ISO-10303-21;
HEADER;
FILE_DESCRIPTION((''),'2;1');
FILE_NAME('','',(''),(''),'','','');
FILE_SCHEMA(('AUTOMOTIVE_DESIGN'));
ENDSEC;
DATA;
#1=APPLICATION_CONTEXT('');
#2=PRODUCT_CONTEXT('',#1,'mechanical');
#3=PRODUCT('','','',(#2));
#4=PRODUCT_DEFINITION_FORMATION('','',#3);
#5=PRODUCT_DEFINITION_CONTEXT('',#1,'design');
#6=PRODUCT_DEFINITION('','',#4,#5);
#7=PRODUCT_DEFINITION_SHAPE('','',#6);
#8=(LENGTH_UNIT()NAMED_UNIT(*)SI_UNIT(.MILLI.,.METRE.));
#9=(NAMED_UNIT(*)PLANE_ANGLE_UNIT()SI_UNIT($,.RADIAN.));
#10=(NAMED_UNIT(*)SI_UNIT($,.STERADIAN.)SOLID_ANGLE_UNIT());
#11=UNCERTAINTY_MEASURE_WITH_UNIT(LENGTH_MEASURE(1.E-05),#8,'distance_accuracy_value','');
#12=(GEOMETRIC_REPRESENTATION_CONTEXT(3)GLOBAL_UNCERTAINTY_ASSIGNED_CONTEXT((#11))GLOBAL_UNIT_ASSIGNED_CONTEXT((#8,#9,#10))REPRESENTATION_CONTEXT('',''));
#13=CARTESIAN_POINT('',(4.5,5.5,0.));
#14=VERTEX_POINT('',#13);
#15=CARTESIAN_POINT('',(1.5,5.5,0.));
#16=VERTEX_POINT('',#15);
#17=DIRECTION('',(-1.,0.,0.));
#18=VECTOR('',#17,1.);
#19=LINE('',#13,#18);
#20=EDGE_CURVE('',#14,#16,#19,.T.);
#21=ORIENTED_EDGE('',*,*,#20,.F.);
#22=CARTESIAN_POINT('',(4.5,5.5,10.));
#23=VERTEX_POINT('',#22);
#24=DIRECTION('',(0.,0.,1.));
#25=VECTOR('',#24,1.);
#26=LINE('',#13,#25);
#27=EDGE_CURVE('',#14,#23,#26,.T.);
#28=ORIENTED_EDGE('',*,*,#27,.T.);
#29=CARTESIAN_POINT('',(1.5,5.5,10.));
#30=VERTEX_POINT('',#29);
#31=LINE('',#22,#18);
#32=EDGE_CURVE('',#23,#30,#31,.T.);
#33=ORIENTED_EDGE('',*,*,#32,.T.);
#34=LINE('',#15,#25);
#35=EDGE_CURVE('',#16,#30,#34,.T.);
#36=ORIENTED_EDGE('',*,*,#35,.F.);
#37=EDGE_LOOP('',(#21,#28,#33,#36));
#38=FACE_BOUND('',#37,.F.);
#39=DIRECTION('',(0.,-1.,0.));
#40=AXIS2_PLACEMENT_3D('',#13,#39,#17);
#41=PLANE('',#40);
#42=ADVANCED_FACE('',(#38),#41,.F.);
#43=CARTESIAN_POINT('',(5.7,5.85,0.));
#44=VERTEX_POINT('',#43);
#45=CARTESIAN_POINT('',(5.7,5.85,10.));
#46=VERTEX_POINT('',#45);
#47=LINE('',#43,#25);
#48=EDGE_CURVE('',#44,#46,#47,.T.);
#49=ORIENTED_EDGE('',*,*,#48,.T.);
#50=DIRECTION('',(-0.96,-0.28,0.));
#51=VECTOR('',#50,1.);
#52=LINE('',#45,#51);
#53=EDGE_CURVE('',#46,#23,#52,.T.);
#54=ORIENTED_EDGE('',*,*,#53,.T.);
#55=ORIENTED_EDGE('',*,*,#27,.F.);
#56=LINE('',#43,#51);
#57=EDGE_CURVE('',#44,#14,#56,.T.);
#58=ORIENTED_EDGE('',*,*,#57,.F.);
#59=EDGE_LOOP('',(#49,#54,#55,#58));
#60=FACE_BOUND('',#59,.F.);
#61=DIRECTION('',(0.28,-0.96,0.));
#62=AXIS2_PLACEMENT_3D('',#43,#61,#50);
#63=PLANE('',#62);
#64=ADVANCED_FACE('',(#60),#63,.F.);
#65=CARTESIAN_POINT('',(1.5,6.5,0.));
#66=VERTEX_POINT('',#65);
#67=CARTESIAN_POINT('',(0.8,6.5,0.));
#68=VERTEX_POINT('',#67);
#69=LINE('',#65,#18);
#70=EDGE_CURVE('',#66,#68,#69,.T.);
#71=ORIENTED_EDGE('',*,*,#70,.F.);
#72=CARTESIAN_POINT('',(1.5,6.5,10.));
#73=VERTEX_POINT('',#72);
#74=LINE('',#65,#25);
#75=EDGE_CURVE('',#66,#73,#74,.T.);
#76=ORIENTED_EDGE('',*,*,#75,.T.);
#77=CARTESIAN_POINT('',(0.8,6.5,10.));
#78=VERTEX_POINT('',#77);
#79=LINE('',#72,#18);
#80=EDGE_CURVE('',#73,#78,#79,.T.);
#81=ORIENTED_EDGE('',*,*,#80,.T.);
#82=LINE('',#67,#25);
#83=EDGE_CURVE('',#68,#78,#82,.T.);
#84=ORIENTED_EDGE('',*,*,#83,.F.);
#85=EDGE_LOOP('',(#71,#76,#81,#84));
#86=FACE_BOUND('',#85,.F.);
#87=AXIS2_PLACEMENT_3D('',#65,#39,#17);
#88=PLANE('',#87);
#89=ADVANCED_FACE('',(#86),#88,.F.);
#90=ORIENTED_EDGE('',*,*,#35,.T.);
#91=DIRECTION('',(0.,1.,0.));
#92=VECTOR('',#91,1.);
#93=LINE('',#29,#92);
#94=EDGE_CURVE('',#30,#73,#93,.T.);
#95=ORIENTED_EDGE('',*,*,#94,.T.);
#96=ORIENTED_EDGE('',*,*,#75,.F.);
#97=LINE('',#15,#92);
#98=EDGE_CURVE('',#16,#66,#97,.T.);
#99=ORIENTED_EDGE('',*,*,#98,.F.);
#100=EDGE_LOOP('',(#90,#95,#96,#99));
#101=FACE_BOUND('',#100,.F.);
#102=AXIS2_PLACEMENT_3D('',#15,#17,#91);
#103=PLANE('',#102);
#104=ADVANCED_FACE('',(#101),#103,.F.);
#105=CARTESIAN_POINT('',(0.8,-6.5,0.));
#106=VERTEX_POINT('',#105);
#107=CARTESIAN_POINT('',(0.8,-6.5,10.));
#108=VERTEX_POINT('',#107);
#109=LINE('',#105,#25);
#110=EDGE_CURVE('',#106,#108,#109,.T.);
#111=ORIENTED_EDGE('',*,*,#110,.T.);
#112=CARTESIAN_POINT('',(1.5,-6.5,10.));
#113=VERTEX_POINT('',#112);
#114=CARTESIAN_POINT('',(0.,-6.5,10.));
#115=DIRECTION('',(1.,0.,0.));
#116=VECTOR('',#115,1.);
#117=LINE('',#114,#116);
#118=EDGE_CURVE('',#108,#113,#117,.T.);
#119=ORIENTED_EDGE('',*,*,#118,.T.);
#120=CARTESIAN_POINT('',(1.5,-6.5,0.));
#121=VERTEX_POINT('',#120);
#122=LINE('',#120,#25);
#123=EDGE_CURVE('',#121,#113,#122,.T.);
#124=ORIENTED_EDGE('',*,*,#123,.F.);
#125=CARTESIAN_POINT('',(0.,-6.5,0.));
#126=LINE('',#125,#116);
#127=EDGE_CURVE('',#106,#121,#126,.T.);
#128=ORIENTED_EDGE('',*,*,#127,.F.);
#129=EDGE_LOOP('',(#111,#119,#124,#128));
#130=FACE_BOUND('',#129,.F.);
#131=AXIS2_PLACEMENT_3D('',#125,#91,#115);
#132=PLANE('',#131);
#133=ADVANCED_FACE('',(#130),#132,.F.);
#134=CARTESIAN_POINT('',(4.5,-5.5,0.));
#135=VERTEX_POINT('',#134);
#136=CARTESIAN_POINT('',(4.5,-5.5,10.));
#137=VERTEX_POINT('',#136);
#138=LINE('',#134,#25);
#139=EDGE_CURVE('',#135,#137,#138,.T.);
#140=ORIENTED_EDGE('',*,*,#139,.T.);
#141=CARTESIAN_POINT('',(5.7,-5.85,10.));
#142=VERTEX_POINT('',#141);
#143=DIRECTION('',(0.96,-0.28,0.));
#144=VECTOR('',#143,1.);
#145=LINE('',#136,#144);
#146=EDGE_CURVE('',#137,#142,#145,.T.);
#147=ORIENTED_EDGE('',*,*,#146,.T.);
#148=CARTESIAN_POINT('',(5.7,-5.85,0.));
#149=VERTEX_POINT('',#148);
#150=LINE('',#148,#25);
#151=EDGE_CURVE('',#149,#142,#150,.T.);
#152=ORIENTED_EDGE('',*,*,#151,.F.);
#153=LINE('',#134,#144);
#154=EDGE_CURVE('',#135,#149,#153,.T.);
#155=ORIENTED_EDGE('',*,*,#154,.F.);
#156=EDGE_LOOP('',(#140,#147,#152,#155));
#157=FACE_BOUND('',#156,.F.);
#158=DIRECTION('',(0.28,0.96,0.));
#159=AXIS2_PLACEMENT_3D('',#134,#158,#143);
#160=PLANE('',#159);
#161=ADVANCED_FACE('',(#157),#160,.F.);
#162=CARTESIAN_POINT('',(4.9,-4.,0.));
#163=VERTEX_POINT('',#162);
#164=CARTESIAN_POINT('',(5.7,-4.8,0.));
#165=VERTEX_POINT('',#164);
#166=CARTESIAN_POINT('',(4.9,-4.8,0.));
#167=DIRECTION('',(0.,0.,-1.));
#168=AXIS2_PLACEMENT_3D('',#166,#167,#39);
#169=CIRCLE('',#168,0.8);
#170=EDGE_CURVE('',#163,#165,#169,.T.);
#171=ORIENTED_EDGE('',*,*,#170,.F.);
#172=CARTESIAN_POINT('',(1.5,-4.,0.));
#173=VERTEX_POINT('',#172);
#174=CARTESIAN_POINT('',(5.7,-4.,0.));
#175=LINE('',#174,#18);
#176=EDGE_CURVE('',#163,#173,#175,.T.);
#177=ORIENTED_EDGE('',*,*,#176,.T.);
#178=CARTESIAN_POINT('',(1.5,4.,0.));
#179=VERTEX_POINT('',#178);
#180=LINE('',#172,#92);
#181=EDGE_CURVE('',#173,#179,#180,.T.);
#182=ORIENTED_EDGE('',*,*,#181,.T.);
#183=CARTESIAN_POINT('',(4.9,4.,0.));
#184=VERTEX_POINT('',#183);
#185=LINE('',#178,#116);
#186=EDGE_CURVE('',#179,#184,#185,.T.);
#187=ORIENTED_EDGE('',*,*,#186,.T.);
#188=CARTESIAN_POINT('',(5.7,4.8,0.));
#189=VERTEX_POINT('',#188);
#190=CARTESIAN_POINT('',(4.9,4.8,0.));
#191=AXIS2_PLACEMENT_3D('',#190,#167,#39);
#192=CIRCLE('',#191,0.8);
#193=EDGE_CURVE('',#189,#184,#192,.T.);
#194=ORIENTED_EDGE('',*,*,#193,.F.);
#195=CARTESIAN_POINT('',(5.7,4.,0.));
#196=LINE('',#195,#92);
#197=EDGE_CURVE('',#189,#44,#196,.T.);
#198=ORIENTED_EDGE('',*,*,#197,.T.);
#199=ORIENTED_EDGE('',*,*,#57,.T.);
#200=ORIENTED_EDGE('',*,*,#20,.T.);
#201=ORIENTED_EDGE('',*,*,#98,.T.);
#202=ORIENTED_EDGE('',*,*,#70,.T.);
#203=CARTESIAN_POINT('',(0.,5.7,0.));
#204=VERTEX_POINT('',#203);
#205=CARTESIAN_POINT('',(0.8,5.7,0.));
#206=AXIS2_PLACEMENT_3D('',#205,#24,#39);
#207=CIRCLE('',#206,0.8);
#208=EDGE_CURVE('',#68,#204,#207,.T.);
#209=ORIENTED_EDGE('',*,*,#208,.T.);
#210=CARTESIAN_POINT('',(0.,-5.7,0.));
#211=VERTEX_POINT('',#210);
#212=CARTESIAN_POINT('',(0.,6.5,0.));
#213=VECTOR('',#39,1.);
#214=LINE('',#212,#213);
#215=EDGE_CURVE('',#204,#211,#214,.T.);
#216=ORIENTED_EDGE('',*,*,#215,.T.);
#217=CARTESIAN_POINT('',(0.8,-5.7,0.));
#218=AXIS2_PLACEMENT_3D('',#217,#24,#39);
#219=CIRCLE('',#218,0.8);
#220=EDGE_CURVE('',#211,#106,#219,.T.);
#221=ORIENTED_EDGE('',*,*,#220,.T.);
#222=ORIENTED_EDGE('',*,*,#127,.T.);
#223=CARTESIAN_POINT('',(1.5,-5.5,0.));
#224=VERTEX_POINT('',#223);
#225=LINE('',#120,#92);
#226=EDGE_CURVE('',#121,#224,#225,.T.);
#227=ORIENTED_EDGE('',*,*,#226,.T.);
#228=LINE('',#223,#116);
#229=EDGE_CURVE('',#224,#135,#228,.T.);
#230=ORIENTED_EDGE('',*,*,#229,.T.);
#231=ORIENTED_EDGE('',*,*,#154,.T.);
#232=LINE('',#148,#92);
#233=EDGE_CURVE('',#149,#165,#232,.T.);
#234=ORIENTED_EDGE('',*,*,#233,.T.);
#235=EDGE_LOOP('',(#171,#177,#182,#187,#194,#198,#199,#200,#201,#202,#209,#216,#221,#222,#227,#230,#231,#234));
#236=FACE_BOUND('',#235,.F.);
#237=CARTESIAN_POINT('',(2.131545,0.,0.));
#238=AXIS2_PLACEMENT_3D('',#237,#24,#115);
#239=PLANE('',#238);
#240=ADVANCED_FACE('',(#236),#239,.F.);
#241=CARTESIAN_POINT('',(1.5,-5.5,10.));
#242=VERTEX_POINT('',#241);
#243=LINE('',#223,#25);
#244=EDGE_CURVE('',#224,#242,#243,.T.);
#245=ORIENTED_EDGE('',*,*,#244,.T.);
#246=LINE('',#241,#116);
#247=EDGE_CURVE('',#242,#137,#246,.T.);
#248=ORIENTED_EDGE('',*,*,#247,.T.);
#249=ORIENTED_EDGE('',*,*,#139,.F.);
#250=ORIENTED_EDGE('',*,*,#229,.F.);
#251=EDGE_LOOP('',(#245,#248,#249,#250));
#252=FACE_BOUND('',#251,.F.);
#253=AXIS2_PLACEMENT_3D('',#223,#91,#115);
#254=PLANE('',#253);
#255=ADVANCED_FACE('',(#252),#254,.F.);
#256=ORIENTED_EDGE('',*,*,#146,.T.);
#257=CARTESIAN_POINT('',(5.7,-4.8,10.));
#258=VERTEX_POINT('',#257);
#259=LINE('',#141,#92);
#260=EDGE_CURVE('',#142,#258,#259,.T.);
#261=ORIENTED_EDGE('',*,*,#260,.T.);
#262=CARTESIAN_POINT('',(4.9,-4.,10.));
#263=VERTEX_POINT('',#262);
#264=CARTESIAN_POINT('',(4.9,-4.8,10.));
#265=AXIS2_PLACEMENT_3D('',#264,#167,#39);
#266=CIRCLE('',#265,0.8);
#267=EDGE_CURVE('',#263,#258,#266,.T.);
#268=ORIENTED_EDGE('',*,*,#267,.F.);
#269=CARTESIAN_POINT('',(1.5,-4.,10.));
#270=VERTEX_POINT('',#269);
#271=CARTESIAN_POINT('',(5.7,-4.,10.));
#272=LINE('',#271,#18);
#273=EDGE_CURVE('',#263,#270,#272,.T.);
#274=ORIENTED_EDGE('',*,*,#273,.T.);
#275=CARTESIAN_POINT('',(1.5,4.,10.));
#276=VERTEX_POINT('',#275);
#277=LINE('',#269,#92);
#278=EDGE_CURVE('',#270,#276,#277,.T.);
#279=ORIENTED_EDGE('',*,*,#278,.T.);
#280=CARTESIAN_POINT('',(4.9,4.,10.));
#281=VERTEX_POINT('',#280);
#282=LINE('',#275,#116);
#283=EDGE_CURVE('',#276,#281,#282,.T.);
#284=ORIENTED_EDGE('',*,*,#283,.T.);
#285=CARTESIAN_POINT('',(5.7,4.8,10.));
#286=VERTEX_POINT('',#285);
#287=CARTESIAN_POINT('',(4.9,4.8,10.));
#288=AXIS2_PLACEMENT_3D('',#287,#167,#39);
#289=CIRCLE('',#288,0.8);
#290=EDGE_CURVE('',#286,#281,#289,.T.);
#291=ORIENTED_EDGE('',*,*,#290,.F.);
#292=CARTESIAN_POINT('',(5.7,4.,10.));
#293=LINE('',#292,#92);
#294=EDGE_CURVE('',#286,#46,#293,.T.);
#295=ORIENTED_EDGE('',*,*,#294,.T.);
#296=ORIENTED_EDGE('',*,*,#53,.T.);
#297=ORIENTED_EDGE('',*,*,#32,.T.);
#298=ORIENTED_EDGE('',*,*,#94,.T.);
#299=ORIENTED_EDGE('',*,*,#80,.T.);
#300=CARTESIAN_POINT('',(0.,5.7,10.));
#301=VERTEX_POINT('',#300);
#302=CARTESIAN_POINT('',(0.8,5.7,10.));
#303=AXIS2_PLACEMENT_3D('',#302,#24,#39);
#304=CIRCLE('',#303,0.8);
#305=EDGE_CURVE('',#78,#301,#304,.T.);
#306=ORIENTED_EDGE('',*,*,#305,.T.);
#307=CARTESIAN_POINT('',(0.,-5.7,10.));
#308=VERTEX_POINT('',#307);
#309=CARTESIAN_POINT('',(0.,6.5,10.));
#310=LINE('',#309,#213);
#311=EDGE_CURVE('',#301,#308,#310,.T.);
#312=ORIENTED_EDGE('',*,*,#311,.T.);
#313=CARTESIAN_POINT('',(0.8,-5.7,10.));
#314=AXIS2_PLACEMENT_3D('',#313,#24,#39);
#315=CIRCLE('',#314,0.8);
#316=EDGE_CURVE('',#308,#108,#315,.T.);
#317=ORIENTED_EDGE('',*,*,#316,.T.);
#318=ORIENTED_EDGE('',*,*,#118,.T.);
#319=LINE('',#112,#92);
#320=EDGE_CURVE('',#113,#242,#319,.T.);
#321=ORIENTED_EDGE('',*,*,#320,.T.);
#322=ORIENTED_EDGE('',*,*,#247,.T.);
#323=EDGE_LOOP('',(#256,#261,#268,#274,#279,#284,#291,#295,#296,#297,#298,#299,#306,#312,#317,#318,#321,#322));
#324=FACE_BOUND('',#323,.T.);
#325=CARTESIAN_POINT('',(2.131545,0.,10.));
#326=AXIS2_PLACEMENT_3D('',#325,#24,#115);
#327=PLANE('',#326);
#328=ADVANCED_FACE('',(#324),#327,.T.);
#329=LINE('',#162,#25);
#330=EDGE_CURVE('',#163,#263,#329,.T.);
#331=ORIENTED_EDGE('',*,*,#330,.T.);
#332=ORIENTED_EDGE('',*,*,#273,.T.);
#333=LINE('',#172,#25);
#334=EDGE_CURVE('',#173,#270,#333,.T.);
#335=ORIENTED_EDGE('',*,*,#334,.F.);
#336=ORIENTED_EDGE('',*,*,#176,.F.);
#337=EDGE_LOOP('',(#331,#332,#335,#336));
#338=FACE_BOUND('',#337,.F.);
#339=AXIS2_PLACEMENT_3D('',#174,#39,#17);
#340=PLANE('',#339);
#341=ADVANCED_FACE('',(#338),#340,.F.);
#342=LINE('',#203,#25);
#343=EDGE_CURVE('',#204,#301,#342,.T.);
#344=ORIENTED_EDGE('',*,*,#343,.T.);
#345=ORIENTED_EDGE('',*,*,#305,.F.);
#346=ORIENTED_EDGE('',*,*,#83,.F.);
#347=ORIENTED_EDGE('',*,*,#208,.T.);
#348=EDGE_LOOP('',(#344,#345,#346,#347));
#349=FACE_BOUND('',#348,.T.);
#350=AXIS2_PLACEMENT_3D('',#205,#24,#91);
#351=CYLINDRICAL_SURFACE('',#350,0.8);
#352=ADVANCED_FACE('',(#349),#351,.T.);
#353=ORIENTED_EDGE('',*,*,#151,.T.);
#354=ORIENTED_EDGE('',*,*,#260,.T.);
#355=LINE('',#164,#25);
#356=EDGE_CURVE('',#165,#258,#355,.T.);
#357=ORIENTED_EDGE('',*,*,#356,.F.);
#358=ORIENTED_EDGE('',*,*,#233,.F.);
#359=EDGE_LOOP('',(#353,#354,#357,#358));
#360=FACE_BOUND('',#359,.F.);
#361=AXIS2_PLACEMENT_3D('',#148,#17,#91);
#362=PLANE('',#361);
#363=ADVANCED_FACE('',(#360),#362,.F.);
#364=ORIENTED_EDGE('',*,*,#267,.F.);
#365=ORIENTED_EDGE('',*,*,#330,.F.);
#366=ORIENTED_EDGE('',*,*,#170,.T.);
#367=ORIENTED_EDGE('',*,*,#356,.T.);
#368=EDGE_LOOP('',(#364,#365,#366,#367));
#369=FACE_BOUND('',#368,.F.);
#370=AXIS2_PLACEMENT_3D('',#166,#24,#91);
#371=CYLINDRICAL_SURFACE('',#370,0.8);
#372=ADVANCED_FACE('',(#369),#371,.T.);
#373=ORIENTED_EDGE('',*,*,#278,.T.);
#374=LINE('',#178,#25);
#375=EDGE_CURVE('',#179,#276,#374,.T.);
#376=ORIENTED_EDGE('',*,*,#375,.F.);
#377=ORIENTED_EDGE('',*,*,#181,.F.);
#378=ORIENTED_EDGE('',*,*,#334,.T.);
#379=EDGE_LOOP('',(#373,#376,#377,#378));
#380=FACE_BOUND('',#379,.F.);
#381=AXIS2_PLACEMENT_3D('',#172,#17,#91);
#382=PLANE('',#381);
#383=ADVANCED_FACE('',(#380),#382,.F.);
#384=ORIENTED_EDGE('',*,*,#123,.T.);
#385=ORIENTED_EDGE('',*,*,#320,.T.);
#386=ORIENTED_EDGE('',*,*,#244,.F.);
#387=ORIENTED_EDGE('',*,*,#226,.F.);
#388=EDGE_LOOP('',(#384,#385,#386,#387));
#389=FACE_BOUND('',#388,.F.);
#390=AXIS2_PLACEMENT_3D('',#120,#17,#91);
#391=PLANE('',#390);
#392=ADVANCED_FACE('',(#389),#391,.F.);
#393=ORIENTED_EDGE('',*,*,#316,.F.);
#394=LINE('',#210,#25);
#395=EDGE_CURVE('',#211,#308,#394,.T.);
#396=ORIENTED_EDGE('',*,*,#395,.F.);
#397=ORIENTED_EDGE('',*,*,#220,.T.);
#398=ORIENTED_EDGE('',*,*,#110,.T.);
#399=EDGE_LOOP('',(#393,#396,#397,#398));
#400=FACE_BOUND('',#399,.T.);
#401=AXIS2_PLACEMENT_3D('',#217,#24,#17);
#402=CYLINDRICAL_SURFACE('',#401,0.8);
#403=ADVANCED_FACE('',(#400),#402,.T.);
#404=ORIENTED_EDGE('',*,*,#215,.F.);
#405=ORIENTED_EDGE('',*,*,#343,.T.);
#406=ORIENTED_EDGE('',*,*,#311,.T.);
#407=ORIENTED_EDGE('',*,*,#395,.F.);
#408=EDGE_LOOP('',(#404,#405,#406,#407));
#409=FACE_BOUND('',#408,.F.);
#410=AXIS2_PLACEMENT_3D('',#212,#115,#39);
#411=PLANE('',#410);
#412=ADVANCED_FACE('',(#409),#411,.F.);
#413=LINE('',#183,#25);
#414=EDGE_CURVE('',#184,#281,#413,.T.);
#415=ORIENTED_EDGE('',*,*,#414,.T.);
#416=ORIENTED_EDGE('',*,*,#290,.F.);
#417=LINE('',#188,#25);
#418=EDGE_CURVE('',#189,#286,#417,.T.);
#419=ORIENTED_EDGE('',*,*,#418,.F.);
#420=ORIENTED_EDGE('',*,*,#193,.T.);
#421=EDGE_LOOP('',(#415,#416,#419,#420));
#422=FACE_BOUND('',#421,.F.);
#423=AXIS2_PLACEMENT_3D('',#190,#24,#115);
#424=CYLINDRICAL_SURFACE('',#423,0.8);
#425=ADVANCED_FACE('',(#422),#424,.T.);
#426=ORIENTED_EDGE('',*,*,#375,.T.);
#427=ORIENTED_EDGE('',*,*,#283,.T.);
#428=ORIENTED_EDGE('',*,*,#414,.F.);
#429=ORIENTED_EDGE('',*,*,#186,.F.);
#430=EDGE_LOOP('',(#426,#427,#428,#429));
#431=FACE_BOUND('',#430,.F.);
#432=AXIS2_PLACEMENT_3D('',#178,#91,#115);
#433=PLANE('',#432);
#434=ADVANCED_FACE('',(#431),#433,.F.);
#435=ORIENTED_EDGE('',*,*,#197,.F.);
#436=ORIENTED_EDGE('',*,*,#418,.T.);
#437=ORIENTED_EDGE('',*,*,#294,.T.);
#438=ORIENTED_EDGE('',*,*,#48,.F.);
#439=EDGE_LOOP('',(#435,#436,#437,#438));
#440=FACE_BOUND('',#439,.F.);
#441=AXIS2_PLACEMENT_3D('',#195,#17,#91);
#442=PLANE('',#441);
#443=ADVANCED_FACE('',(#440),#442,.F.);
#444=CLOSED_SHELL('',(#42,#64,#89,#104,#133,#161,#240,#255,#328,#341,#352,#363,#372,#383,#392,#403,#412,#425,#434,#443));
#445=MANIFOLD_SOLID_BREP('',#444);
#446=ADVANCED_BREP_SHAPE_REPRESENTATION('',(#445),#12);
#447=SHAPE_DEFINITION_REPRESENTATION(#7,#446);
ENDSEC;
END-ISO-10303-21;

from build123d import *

# Parameters (mm, degrees)
PAD_DEPTH   = 10
FILLET_R    = 0.8
FILLET001_R = 0.8


with BuildPart() as part:
    # Sketch → Pad (new body)
    with BuildSketch(Plane.XY):
        Polygon((5.7, -5.85), (5.7, -4), (1.5, -4), (1.5, 4), (5.7, 4), (5.7, 5.85), (4.5, 5.5), (1.5, 5.5), (1.5, 6.5), (0, 6.5), (0, -6.5), (1.5, -6.5), (1.5, -5.5), (4.5, -5.5), align=None)
    extrude(amount=PAD_DEPTH)

    # Fillet
    fillet_edges = [part.edges().sort_by_distance(p)[0] for p in [
        (0, 6.5, 5),
        (0, -6.5, 5),
    ]]
    fillet(fillet_edges, radius=FILLET_R)

    # Fillet001
    fillet001_edges = [part.edges().sort_by_distance(p)[0] for p in [
        (5.7, 4, 5),
        (5.7, -4, 5),
    ]]
    fillet(fillet001_edges, radius=FILLET001_R)


solid = part.part
